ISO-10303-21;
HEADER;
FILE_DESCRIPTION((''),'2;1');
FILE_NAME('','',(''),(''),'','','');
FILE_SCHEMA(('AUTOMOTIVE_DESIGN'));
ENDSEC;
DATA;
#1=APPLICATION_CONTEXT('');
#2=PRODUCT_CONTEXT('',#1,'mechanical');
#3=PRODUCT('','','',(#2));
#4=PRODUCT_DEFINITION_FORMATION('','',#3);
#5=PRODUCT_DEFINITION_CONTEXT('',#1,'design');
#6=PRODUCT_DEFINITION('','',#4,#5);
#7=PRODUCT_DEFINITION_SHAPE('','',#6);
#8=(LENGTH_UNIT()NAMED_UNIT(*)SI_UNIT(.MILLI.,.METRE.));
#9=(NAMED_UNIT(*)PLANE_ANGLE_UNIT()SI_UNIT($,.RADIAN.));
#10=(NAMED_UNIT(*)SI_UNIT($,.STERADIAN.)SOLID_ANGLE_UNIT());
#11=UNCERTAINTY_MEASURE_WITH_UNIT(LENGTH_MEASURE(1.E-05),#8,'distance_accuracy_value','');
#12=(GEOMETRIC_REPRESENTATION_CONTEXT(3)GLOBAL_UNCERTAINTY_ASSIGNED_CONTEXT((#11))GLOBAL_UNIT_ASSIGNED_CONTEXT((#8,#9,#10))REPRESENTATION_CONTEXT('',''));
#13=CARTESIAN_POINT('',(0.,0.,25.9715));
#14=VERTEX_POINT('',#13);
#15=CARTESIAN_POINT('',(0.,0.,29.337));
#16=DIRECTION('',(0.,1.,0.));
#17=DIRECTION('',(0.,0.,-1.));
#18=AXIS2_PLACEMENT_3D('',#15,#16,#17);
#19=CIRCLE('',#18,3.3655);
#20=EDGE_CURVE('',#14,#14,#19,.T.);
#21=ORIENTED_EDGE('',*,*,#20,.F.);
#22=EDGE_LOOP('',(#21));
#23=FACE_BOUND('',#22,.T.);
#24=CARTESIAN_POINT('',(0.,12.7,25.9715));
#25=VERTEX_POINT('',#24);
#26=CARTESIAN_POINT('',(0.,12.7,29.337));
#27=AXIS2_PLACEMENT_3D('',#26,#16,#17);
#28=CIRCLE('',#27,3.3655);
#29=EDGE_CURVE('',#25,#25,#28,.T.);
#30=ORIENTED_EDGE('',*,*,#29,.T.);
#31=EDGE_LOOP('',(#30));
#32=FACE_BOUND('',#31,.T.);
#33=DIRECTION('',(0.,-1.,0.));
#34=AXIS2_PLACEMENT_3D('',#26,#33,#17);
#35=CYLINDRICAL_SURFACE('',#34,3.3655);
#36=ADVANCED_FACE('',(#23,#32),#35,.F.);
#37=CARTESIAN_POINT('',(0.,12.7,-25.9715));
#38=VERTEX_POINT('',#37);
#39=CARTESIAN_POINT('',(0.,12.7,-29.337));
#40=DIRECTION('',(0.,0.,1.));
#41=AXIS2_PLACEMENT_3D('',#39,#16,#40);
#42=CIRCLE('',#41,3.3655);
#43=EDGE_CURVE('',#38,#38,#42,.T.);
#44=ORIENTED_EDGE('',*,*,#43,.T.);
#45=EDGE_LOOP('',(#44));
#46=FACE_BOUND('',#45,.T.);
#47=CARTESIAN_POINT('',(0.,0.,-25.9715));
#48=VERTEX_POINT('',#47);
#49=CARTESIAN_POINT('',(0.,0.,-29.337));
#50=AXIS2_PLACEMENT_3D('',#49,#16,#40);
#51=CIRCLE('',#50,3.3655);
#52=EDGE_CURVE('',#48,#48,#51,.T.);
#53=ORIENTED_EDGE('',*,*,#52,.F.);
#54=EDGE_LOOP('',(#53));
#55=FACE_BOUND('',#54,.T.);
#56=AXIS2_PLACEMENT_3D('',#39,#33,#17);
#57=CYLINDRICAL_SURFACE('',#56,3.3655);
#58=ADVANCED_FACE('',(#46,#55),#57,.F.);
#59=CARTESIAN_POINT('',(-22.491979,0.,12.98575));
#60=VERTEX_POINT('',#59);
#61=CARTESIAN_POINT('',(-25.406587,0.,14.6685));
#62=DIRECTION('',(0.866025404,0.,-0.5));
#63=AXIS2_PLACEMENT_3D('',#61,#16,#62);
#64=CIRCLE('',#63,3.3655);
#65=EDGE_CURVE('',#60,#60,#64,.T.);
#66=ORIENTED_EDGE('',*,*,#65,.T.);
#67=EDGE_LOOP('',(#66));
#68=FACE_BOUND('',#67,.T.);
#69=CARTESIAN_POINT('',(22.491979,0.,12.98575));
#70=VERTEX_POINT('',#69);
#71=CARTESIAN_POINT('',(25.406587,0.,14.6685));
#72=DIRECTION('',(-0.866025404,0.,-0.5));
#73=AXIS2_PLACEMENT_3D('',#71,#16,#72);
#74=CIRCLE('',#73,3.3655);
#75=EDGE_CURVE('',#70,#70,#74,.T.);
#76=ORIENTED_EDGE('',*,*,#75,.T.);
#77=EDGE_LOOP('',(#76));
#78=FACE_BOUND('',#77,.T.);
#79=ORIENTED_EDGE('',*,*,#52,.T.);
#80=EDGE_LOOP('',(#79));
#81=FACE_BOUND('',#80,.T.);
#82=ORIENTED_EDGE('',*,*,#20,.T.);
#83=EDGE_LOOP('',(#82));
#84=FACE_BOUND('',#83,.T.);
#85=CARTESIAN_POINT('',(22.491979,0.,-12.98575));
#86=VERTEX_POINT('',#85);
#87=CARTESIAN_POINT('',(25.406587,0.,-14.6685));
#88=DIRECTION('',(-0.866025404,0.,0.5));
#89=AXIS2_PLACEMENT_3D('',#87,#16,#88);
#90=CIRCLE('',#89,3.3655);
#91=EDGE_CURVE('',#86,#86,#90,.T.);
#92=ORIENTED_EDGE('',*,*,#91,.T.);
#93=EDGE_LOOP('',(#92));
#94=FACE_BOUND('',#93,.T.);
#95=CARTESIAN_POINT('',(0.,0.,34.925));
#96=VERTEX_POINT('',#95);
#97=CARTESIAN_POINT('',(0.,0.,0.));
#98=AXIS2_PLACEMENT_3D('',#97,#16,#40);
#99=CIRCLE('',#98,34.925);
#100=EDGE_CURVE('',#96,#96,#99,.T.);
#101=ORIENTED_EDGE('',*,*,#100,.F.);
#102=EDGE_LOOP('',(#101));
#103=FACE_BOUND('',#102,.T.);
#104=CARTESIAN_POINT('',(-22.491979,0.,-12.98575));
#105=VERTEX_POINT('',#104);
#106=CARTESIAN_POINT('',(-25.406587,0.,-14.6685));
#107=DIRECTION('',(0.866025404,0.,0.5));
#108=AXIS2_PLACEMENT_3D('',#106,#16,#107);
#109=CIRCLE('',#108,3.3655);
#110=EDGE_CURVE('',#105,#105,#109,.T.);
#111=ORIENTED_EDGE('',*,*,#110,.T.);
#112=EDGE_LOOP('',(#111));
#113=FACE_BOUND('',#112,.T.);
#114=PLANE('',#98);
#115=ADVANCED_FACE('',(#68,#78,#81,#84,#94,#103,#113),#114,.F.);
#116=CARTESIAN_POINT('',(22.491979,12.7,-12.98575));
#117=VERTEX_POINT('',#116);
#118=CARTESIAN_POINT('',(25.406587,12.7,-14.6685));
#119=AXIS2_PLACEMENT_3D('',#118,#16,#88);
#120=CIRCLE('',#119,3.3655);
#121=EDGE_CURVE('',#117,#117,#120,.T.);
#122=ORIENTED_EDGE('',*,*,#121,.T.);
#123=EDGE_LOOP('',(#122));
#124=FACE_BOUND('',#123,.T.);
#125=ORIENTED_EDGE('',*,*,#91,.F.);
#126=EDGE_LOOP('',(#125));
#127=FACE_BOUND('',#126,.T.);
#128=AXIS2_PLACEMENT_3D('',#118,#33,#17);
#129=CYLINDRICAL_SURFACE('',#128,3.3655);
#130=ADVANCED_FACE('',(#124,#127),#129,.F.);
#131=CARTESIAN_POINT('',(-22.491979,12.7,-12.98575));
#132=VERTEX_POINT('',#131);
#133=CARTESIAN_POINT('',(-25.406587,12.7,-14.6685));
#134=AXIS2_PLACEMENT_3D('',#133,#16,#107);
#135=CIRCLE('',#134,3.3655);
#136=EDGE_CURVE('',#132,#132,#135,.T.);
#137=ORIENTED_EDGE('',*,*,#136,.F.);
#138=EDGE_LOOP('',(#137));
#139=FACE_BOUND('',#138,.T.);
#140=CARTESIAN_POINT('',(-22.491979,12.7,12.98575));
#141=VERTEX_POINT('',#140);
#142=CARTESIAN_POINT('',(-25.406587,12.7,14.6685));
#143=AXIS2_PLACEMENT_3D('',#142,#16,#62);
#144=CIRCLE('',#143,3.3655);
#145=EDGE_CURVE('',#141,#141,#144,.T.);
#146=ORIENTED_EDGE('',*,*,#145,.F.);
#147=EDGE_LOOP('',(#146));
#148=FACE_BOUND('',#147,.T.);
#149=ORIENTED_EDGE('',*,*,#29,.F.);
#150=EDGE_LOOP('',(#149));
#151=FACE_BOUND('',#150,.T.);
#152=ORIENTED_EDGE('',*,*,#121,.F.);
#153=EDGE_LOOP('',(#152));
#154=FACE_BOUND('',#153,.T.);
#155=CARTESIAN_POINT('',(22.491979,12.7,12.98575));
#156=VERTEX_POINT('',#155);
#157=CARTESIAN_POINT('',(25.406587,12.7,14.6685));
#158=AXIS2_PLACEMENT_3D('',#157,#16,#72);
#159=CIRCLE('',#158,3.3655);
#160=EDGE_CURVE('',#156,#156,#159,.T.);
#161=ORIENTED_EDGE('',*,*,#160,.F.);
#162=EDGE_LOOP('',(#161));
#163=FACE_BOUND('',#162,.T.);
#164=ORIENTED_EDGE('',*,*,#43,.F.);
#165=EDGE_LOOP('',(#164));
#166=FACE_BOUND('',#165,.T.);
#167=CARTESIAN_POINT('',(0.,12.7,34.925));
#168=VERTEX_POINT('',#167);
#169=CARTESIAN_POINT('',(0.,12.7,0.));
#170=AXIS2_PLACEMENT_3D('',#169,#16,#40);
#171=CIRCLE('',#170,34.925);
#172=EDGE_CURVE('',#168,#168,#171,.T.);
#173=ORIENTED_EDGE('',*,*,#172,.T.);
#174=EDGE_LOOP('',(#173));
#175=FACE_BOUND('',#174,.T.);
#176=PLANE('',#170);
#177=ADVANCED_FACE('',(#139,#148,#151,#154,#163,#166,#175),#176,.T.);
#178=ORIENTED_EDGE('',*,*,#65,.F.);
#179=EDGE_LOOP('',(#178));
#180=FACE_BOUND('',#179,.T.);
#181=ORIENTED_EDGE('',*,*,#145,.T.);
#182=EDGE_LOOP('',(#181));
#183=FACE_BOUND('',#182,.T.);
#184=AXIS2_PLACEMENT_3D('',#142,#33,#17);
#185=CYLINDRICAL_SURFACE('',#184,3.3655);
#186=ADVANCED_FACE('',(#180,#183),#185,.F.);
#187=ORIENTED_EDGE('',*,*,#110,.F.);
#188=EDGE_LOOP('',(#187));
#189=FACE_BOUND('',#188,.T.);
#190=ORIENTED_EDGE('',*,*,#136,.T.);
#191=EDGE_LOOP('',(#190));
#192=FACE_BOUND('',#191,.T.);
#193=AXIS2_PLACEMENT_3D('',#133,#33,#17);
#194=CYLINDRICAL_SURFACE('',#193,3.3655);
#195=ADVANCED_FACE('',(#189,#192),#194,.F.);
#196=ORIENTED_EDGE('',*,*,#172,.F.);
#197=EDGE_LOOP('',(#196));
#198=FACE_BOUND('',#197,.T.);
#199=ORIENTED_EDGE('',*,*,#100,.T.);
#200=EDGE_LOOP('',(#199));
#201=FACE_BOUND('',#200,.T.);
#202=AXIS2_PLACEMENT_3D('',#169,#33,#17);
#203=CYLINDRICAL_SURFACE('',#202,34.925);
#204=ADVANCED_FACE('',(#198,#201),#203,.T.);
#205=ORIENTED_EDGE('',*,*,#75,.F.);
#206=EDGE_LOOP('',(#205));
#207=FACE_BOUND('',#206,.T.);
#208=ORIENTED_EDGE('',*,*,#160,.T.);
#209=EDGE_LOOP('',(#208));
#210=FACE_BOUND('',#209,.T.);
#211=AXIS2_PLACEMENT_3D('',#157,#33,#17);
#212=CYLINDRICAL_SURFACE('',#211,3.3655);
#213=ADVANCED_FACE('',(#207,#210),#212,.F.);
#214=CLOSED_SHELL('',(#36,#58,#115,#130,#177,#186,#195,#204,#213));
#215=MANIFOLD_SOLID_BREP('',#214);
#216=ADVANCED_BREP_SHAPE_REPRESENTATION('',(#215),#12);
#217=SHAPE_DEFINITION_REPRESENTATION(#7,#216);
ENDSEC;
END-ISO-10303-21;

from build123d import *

# Parameters (mm, degrees)
SKETCH1_R          = 34.925
EXTRUDE1_DEPTH     = 12.7
SKETCH3_R          = 3.3655
CUT_EXTRUDE2_DEPTH = 12.7
CIRPATTERN1_COUNT  = 6


with BuildPart() as part:
    # Sketch1 → Extrude1 (new body)
    with BuildSketch(Plane(origin=(0, 0, 0), x_dir=(1, 0, 0), z_dir=(0, 1, 0))):
        Circle(SKETCH1_R)
    extrude(amount=EXTRUDE1_DEPTH)

    # Sketch3 → Cut-Extrude2 (cut)
    with BuildSketch(Plane(origin=(0, 0, 0), x_dir=(1, 0, 0), z_dir=(0, 1, 0))):
        with Locations((0, 29.337)):
            Circle(SKETCH3_R)
    cut_extrude2 = extrude(amount=CUT_EXTRUDE2_DEPTH, mode=Mode.SUBTRACT)

    # CirPattern1: Cut-Extrude2 ×6 about axis
    cirpattern1_axis = Axis((0, 0, 0), (0, 1, 0))
    for i in range(1, CIRPATTERN1_COUNT):
        add(cut_extrude2.rotate(cirpattern1_axis, i * 360 / CIRPATTERN1_COUNT), mode=Mode.SUBTRACT)


solid = part.part
